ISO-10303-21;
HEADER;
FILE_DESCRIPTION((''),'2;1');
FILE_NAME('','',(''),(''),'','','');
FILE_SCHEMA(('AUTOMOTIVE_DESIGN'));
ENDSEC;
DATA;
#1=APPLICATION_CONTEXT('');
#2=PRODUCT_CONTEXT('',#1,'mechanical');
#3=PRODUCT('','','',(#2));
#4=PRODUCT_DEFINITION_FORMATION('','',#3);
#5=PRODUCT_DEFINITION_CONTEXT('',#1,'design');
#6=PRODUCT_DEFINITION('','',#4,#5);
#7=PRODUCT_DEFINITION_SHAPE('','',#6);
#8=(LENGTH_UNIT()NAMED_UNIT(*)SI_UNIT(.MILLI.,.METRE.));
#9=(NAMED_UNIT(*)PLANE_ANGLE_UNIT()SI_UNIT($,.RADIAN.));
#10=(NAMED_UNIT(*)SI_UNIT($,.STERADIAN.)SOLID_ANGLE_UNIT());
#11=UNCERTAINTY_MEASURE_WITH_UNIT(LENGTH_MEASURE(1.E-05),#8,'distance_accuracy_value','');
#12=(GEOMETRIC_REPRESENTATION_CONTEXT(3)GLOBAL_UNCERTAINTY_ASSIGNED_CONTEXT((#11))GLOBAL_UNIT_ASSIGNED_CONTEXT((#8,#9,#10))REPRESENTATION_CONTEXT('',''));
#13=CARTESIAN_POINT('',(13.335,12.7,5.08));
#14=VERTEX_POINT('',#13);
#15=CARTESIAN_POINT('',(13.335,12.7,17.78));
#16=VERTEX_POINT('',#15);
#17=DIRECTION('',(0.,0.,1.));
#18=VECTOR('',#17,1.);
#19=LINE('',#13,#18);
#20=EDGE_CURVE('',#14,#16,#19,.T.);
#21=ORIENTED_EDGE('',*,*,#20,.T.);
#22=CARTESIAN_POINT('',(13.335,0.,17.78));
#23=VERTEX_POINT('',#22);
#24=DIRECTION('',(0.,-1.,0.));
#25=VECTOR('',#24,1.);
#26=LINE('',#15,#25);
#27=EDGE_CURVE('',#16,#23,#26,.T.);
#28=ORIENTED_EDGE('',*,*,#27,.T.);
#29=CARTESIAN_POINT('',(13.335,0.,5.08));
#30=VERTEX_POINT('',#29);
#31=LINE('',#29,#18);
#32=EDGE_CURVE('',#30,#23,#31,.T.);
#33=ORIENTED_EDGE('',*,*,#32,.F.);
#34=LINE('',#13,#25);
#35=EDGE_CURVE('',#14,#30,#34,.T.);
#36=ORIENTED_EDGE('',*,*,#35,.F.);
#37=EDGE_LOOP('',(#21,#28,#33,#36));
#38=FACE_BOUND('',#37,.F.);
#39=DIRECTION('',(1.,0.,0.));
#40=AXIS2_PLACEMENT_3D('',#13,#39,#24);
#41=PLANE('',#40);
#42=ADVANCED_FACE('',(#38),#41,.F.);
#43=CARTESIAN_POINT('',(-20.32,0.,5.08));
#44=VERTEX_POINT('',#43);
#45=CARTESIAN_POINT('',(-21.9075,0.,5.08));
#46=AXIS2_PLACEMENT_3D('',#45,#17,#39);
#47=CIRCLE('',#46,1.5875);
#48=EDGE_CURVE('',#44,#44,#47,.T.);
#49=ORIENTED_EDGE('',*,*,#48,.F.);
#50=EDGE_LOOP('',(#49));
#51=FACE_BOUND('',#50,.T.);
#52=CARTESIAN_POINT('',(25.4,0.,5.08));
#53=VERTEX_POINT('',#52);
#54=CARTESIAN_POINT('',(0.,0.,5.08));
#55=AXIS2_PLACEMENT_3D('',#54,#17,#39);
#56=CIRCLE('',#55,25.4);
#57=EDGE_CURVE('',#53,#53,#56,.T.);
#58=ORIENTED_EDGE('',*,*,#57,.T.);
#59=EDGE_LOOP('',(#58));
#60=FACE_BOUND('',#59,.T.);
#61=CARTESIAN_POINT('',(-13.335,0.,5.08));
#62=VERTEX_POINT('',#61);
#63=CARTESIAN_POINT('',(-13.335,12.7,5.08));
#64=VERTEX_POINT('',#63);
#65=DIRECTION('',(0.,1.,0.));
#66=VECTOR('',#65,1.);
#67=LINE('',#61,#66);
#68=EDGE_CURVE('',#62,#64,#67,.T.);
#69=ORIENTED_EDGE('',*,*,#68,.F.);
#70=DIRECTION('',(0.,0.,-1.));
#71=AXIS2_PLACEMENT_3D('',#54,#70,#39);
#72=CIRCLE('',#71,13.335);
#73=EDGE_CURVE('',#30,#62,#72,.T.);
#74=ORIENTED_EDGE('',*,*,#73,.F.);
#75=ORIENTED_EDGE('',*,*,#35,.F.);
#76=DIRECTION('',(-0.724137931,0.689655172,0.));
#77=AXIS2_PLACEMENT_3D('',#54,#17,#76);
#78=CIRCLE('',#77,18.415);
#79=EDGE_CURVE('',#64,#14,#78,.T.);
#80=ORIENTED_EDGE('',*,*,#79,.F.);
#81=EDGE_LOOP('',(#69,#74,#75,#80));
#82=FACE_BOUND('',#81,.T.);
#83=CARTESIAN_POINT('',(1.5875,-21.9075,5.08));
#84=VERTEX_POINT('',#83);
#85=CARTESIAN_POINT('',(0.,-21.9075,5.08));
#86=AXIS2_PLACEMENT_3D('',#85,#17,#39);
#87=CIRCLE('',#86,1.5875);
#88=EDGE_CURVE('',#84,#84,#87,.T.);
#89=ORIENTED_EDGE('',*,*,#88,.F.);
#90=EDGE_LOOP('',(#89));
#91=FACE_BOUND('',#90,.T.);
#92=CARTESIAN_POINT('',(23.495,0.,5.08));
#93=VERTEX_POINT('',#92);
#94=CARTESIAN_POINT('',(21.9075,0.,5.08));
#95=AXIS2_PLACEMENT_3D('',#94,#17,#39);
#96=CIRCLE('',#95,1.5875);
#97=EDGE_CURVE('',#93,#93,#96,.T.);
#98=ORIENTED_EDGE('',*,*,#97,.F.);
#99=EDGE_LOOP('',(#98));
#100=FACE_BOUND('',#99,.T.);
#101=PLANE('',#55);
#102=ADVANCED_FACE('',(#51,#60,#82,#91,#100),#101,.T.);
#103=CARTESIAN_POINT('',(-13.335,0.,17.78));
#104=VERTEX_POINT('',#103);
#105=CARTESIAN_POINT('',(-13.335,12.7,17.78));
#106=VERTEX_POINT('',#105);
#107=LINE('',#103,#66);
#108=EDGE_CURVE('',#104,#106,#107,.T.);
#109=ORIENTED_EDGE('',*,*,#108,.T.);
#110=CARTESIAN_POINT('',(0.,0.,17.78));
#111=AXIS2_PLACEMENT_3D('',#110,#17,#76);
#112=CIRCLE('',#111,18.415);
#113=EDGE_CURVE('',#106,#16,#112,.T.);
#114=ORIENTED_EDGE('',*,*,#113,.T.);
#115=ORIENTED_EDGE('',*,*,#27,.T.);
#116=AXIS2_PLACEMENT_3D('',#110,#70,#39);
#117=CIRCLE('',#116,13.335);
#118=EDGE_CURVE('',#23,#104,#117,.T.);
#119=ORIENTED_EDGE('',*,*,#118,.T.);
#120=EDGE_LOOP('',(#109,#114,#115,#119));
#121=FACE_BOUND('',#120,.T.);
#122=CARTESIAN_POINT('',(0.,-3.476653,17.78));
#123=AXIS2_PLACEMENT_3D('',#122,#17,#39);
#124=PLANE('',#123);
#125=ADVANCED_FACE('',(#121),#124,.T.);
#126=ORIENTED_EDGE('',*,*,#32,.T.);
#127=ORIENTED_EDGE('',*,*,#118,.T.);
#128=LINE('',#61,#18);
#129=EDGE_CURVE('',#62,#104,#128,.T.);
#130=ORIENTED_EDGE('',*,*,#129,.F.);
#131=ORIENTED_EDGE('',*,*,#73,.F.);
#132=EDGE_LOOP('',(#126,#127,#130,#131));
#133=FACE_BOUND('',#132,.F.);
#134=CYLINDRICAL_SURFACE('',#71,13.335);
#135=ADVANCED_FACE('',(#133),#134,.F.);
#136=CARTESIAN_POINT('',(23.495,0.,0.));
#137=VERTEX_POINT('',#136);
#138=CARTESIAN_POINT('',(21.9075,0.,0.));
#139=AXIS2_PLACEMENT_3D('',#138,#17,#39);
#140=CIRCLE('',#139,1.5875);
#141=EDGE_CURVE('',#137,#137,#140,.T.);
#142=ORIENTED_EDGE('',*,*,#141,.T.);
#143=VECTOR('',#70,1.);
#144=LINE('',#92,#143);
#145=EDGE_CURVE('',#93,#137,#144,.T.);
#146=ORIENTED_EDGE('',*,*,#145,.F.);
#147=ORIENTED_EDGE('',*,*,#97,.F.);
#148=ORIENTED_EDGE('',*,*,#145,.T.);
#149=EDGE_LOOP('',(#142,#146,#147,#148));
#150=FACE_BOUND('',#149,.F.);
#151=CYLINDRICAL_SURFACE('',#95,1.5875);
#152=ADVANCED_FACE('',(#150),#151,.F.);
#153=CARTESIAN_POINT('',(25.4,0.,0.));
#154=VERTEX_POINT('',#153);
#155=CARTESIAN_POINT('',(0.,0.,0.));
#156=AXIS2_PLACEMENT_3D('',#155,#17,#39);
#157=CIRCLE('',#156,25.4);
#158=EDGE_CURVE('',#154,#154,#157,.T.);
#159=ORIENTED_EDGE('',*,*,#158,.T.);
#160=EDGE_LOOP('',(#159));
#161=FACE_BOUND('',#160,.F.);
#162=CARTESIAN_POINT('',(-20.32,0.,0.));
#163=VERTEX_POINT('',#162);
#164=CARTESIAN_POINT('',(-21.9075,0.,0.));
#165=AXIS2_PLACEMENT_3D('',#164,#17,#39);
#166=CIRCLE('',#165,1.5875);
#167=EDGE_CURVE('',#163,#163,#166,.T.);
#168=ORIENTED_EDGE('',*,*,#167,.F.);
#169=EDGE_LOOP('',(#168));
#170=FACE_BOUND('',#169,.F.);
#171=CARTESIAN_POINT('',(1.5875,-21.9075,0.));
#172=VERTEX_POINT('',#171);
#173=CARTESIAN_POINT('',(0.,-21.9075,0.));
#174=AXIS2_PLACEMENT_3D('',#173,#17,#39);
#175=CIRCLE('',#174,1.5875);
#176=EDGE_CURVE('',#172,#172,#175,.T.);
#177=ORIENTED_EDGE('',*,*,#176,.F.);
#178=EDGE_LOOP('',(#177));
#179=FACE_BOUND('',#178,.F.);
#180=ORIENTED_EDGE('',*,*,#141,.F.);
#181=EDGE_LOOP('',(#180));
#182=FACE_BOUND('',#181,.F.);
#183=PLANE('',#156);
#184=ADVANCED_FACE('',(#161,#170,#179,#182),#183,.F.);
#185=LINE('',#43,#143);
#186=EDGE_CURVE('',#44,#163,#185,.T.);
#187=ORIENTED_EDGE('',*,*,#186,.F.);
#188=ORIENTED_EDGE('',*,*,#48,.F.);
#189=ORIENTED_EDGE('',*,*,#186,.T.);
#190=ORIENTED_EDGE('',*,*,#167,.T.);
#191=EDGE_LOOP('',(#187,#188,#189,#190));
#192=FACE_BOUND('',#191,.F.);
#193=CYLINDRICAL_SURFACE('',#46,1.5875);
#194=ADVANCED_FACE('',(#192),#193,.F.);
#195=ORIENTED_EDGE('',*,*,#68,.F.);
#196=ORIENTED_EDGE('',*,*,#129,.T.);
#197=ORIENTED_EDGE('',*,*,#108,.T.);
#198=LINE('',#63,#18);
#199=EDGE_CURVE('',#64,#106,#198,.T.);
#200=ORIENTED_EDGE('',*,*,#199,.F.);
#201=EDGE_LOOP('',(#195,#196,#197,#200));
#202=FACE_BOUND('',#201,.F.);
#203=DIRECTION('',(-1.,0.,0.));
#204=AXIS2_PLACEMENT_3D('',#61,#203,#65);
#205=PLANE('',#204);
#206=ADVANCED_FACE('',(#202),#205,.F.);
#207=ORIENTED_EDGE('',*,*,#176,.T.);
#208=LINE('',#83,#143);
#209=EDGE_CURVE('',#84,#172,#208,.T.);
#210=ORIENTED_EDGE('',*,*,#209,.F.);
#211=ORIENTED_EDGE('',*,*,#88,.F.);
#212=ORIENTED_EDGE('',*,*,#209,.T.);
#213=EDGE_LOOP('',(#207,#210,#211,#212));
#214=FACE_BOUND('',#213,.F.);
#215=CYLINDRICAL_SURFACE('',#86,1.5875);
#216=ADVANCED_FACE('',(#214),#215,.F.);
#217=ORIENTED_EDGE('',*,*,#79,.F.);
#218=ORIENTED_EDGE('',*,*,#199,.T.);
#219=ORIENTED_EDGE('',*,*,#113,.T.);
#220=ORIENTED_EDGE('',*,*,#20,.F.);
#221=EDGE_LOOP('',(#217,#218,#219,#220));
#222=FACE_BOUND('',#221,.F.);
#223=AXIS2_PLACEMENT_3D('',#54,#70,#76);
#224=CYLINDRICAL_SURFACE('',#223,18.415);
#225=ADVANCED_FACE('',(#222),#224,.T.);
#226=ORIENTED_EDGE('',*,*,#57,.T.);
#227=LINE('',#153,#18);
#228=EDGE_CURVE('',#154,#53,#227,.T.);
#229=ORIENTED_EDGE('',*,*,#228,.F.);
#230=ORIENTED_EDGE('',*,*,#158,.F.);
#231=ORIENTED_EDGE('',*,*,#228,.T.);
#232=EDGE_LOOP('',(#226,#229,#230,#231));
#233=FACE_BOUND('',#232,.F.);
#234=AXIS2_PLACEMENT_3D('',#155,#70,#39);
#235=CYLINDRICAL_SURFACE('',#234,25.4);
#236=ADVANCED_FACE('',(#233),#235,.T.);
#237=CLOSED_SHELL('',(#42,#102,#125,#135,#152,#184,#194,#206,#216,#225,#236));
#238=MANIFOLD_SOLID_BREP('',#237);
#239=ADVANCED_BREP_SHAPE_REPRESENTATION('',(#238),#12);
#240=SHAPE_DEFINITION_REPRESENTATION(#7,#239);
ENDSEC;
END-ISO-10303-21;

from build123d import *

# Parameters (mm, degrees)
F0_R     = 25.4
F1_DEPTH = 5.08
F3_DEPTH = 12.7
F4_R     = 1.5875
F5_DEPTH = 25.4


with BuildPart() as f1:
    # F0 (on Top) → F1 (new body)
    with BuildSketch(Plane.XY):
        Circle(F0_R)
    extrude(amount=F1_DEPTH)

    # F2 (on face) → F3 (join)
    with BuildSketch(Plane.XY.offset(5.08)):
        with BuildLine():
            ThreePointArc((13.335, 0), (0, -13.335), (-13.335, 0))
            Line((-13.335, 0), (-13.335, 12.7))
            ThreePointArc((-13.335, 12.7), (0, -18.415), (13.335, 12.7))
            Line((13.335, 12.7), (13.335, 0))
        make_face()
    extrude(amount=F3_DEPTH)

    # F4 (on face) → F5 (cut)
    with BuildSketch(Plane.XY.offset(5.08)):
        with Locations((-21.9075, 0)):
            Circle(F4_R)
        with Locations((21.9075, 0)):
            Circle(F4_R)
        with Locations((0, -21.9075)):
            Circle(F4_R)
    extrude(amount=-F5_DEPTH, mode=Mode.SUBTRACT)


solid = f1.part
